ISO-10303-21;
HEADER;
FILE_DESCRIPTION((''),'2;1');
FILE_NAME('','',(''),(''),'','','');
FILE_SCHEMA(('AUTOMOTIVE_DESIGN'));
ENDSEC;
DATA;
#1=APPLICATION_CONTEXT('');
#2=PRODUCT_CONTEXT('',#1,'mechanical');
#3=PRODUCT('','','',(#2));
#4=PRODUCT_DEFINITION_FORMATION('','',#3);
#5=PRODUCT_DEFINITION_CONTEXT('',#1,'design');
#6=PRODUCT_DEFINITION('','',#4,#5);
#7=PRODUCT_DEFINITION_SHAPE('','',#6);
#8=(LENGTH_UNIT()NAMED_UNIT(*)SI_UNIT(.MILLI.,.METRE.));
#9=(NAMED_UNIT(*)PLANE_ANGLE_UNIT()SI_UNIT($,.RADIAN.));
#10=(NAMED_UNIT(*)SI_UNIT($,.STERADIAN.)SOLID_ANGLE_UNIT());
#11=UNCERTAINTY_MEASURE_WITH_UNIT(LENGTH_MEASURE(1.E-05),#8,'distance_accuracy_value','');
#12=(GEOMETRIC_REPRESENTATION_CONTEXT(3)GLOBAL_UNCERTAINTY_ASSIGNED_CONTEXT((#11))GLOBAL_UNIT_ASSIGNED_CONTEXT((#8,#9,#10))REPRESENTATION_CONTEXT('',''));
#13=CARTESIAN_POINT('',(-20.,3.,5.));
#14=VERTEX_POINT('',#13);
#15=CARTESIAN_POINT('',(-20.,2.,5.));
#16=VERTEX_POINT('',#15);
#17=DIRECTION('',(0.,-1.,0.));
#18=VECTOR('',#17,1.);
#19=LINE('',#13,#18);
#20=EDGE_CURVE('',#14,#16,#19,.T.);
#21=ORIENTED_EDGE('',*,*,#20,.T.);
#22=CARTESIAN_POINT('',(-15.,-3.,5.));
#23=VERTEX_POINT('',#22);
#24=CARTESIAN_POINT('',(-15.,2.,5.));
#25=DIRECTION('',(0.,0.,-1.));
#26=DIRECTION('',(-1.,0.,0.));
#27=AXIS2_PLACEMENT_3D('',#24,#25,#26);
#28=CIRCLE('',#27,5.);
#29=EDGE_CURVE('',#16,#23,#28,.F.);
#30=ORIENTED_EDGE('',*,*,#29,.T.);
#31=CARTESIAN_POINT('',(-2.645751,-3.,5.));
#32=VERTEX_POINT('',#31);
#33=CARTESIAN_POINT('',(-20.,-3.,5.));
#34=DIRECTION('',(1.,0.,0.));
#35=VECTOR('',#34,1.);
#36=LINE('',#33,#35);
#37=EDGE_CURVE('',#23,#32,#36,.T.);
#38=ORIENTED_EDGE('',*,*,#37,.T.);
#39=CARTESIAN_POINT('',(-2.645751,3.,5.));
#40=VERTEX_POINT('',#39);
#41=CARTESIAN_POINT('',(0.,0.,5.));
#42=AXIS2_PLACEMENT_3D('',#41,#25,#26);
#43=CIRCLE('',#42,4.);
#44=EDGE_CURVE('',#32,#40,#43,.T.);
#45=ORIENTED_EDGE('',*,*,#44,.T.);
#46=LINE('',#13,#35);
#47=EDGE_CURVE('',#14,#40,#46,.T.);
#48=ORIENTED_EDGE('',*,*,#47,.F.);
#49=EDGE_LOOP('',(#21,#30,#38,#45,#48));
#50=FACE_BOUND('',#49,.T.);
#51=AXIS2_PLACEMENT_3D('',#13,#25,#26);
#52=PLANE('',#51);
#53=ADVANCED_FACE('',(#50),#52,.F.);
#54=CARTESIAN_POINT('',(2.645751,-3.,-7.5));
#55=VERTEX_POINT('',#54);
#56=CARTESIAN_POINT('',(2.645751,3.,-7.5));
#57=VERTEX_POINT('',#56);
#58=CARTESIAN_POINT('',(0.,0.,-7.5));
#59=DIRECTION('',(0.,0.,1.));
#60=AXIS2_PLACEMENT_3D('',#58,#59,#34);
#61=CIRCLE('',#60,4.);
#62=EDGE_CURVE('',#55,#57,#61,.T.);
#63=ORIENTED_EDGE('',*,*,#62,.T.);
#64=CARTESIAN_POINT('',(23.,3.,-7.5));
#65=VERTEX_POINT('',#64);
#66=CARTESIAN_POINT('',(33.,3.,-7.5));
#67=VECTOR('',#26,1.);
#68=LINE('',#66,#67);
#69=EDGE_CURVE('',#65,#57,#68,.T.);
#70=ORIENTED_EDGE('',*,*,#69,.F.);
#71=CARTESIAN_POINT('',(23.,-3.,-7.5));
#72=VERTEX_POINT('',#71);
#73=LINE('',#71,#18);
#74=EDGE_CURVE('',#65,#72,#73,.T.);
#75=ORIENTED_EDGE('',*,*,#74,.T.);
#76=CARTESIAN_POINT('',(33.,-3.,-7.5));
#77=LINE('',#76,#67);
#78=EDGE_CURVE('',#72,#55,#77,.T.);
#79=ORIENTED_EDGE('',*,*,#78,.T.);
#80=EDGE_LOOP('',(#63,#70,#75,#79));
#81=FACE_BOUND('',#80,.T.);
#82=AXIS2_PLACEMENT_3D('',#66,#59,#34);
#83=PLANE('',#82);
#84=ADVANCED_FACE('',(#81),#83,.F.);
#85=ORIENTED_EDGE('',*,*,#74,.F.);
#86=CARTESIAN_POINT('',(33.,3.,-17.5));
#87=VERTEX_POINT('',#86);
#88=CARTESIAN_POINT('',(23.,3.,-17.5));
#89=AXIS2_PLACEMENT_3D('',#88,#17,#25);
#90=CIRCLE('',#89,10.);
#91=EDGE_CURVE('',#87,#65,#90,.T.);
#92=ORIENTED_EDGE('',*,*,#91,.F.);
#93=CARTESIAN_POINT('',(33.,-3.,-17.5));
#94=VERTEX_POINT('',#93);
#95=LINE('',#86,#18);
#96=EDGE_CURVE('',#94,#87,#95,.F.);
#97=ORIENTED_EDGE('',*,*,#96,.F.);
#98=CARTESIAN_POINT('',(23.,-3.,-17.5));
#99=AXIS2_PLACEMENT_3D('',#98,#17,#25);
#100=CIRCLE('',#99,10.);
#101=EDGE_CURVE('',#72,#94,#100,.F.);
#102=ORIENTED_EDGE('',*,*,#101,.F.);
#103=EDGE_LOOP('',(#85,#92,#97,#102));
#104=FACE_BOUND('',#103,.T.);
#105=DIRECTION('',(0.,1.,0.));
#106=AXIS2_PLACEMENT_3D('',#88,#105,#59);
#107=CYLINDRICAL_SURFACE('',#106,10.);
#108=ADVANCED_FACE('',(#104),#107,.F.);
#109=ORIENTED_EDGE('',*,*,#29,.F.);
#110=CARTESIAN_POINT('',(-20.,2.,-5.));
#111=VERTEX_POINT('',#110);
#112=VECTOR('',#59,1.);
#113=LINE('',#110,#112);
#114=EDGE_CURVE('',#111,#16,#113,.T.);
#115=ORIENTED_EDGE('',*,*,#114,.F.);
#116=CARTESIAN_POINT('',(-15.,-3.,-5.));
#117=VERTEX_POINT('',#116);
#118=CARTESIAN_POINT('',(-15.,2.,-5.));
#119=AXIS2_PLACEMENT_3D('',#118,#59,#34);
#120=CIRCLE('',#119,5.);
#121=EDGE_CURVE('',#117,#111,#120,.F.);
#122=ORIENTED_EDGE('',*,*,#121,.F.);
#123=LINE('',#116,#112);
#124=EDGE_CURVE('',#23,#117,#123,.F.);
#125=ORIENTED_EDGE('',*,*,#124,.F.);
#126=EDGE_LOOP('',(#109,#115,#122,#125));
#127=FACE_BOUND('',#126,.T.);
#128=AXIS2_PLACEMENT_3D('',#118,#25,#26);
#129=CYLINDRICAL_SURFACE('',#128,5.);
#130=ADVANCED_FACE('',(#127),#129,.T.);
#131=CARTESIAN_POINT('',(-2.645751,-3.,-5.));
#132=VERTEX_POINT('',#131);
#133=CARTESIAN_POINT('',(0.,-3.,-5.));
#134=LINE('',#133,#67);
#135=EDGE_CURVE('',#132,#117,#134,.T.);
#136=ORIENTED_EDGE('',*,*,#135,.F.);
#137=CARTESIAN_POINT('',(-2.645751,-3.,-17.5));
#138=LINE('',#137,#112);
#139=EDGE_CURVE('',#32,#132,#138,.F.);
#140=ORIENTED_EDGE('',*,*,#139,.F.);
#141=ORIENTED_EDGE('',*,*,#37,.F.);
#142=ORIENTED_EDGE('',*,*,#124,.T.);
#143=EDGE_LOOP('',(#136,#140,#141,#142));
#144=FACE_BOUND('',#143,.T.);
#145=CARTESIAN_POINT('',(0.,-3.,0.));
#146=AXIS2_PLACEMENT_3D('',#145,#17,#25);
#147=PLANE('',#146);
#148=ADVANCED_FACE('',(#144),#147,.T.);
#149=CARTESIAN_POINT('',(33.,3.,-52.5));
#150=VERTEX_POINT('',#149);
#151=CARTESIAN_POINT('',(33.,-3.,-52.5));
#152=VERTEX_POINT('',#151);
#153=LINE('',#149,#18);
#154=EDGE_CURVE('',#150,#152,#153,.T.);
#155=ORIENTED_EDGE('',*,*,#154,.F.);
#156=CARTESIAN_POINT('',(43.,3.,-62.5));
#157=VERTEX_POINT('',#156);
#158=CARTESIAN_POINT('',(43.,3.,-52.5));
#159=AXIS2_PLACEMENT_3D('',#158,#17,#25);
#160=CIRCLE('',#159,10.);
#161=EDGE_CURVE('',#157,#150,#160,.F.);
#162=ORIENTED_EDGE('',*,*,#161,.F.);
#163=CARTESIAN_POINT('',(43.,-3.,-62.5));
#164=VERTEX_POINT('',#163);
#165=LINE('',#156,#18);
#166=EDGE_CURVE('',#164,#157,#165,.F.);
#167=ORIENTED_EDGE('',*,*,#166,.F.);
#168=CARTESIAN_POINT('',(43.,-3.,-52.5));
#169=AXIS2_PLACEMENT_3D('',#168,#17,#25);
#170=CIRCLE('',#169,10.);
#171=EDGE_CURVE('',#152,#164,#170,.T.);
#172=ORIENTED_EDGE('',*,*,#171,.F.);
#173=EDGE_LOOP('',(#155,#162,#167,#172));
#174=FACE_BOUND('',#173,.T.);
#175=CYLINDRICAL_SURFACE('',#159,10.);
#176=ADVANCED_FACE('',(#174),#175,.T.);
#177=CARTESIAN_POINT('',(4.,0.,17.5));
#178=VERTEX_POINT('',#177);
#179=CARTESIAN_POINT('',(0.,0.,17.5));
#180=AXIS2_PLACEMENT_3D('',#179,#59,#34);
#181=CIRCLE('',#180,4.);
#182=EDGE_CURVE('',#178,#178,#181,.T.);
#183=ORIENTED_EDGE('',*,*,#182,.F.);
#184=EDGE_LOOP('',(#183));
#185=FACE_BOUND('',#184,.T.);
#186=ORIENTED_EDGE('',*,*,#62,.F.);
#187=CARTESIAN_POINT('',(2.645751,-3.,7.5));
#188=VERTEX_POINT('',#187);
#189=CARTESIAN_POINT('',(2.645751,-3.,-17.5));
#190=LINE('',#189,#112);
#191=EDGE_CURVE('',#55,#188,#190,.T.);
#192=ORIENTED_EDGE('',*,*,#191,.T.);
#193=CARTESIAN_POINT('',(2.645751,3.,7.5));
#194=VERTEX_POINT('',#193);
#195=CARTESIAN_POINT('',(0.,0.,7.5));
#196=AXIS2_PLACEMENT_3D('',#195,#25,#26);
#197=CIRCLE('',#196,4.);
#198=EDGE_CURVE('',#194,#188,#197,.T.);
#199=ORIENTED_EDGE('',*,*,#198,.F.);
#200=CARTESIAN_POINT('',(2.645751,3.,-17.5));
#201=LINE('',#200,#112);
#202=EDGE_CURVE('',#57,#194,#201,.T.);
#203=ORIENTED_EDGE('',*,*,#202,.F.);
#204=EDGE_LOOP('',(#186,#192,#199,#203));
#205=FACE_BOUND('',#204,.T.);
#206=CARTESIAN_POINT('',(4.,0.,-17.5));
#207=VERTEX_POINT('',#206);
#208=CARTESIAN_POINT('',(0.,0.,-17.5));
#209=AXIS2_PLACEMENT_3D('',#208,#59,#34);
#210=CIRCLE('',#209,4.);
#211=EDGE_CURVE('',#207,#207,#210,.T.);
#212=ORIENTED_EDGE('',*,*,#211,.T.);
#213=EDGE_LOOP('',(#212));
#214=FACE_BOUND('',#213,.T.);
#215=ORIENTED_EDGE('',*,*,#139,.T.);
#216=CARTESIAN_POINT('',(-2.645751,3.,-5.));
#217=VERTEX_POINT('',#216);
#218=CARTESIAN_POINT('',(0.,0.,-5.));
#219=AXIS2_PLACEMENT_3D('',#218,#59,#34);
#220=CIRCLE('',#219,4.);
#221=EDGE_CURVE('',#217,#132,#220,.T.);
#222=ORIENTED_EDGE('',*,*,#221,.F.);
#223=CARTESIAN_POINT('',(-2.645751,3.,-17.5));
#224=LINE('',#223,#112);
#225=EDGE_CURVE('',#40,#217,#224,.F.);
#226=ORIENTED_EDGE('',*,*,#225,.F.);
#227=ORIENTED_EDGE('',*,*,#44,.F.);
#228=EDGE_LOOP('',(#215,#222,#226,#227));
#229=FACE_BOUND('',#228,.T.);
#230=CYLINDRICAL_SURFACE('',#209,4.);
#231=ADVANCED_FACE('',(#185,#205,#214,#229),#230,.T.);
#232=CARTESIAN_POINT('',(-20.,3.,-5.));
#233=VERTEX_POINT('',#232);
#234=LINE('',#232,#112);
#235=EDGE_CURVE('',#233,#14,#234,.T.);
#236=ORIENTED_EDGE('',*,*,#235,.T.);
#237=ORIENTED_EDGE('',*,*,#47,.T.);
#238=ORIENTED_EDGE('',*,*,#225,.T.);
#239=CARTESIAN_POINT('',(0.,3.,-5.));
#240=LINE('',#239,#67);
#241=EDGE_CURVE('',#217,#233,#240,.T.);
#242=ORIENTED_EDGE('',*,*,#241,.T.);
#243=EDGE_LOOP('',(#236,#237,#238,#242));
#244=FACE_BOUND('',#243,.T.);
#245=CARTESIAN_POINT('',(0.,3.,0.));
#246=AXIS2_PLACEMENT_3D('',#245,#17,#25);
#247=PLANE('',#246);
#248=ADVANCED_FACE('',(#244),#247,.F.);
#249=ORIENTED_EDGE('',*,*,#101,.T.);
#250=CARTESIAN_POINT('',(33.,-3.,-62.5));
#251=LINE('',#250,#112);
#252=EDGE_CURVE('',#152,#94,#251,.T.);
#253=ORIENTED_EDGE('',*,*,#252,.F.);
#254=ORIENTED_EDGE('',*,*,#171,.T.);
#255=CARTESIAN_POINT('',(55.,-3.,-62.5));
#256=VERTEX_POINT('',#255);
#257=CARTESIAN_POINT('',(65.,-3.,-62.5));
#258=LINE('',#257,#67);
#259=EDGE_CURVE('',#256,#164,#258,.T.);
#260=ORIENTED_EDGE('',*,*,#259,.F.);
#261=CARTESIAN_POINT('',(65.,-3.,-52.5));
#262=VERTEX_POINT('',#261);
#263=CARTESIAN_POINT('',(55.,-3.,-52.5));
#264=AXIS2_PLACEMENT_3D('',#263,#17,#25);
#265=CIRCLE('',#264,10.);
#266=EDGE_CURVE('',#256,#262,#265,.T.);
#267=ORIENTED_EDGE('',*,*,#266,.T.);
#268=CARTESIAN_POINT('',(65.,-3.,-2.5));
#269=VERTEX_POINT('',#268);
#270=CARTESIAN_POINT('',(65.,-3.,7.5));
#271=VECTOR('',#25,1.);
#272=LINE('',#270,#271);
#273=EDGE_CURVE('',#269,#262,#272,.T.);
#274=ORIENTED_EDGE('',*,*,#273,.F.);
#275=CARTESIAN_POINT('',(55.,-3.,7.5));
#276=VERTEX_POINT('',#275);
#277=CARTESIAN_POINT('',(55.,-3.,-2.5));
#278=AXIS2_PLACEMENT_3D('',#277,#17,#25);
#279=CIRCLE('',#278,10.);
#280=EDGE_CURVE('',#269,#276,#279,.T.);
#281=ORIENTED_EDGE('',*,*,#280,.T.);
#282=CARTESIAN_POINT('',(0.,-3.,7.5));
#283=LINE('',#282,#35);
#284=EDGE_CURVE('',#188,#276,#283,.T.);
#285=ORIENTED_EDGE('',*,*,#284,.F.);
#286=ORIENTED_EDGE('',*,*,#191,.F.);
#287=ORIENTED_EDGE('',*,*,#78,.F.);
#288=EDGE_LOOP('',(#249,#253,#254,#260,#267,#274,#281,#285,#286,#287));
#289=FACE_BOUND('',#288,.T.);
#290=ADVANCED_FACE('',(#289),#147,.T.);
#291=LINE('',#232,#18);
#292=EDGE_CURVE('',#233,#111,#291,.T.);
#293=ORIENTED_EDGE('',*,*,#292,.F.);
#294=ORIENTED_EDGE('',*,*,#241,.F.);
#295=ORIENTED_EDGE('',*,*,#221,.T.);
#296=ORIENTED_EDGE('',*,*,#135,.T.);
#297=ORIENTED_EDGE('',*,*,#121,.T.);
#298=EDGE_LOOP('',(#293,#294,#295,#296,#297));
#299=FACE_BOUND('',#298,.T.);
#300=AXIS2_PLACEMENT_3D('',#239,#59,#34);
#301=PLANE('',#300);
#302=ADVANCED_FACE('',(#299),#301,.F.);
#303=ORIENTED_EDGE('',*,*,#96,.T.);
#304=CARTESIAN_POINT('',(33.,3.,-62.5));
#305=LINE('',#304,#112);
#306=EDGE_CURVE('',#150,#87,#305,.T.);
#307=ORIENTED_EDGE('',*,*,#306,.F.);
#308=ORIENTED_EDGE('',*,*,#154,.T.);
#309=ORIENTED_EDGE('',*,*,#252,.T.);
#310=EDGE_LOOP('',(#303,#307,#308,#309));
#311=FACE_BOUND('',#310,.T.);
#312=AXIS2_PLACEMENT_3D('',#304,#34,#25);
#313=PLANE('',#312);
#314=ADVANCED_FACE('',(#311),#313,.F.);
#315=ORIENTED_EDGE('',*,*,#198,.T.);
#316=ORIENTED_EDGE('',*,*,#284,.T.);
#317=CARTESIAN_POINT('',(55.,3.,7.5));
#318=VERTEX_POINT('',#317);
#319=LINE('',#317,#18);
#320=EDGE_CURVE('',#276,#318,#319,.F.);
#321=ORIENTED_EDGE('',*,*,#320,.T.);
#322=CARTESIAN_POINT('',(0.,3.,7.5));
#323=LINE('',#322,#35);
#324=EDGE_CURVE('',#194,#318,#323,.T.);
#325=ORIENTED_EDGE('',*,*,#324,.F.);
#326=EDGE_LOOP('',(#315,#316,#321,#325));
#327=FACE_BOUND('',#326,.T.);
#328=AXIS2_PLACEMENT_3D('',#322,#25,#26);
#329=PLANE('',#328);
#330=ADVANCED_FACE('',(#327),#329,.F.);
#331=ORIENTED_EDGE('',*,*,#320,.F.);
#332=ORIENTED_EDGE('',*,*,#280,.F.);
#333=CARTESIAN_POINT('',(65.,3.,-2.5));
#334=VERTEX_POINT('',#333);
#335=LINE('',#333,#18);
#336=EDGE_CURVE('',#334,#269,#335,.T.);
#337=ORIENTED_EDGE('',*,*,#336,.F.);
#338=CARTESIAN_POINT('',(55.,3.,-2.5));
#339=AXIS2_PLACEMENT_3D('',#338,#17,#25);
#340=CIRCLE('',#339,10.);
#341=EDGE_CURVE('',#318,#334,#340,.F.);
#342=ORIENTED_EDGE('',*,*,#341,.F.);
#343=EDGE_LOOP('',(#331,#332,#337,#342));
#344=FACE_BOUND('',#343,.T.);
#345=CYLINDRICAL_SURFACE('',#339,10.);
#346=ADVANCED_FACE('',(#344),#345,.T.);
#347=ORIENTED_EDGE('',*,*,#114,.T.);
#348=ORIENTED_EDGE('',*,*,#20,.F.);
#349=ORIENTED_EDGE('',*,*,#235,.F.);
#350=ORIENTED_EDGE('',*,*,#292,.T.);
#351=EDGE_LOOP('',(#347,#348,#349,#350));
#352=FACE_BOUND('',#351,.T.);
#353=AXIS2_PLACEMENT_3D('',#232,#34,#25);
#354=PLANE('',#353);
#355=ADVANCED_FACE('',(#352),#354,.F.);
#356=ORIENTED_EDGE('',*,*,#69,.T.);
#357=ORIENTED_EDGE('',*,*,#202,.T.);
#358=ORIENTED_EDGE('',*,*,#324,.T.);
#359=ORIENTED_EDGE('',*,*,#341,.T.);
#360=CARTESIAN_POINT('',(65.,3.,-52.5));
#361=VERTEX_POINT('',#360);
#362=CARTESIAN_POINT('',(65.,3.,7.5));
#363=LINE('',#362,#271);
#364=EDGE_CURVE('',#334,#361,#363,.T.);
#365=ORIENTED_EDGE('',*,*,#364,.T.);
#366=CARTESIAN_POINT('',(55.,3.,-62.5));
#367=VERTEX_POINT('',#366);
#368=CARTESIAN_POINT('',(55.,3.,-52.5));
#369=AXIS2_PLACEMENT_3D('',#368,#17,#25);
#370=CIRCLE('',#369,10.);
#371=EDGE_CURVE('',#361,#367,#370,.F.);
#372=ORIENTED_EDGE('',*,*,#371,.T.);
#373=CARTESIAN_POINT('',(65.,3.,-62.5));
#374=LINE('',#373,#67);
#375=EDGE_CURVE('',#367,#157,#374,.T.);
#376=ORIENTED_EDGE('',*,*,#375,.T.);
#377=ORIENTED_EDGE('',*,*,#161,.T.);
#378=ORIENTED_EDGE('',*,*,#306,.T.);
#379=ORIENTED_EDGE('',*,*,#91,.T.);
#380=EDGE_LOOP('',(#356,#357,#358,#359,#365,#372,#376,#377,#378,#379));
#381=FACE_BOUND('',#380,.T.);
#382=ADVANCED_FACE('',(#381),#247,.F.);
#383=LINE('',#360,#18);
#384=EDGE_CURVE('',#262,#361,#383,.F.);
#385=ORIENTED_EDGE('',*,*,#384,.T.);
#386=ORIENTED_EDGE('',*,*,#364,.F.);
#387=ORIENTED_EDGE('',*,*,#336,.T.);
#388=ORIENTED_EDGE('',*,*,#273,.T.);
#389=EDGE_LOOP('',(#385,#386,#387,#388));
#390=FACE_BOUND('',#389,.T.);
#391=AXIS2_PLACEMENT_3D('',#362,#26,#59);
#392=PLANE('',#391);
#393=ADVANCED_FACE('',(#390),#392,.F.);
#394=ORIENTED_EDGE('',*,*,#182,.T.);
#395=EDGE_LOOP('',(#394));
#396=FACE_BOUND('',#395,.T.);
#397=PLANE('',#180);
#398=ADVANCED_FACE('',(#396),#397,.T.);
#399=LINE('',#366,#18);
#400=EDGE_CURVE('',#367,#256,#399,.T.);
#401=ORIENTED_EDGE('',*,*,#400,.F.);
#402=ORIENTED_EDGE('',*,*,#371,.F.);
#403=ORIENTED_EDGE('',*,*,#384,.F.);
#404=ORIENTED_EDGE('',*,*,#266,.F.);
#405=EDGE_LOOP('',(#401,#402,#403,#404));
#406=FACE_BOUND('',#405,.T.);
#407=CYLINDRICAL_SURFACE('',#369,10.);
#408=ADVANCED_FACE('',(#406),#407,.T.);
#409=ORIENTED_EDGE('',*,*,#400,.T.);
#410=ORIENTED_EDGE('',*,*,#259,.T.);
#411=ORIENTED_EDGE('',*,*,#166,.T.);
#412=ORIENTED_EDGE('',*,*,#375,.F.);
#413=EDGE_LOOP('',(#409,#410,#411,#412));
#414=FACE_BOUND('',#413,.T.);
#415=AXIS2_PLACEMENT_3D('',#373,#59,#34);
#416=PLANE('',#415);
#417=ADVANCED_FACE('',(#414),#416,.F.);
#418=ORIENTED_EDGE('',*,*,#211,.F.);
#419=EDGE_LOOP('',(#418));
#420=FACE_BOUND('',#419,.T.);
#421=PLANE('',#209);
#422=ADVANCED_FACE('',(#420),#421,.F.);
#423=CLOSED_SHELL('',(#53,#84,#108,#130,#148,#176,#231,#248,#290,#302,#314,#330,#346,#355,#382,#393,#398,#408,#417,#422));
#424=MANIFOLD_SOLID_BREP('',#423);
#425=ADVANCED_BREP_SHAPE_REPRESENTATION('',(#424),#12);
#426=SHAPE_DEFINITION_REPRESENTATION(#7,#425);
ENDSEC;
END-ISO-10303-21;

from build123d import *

# Parameters (mm, degrees)
BOSS_EXTRUDE4_DEPTH      = 3
BOSS_EXTRUDE5_DEPTH      = 10
BOSS_EXTRUDE5_DEPTH_BACK = 25
SKETCH10_R               = 4
FILLET4_R                = 10
FILLET5_R                = 5


with BuildPart() as part:
    # Sketch9 → Boss-Extrude4 (new, symmetric)
    with BuildSketch(Plane(origin=(0, 0, 0), x_dir=(1, 0, 0), z_dir=(0, 1, 0))):
        Polygon((0, -7.5), (65, -7.5), (65, 62.5), (33, 62.5), (33, 7.5), (0, 7.5), (0, 5), (-20, 5), (-20, -5), (0, -5), align=None)
    extrude(amount=BOSS_EXTRUDE4_DEPTH, both=True)

    # Sketch10 → Boss-Extrude5 (add, two sides: drawn at the far end of the back side and taken through both)
    with BuildSketch(Plane.XY.offset(7.5).offset(-BOSS_EXTRUDE5_DEPTH_BACK)):
        Circle(SKETCH10_R)
    extrude(amount=BOSS_EXTRUDE5_DEPTH + BOSS_EXTRUDE5_DEPTH_BACK)

    # Fillet4
    fillet4_edges = [part.edges().sort_by_distance(p)[0] for p in [
        (33, 0, -7.5),
        (33, 0, -62.5),
        (65, 0, -62.5),
        (65, 0, 7.5),
    ]]
    fillet(fillet4_edges, radius=FILLET4_R)

    # Fillet5
    fillet5_edges = [part.edges().sort_by_distance(p)[0] for p in [
        (-20, -3, 0),
    ]]
    fillet(fillet5_edges, radius=FILLET5_R)


solid = part.part
